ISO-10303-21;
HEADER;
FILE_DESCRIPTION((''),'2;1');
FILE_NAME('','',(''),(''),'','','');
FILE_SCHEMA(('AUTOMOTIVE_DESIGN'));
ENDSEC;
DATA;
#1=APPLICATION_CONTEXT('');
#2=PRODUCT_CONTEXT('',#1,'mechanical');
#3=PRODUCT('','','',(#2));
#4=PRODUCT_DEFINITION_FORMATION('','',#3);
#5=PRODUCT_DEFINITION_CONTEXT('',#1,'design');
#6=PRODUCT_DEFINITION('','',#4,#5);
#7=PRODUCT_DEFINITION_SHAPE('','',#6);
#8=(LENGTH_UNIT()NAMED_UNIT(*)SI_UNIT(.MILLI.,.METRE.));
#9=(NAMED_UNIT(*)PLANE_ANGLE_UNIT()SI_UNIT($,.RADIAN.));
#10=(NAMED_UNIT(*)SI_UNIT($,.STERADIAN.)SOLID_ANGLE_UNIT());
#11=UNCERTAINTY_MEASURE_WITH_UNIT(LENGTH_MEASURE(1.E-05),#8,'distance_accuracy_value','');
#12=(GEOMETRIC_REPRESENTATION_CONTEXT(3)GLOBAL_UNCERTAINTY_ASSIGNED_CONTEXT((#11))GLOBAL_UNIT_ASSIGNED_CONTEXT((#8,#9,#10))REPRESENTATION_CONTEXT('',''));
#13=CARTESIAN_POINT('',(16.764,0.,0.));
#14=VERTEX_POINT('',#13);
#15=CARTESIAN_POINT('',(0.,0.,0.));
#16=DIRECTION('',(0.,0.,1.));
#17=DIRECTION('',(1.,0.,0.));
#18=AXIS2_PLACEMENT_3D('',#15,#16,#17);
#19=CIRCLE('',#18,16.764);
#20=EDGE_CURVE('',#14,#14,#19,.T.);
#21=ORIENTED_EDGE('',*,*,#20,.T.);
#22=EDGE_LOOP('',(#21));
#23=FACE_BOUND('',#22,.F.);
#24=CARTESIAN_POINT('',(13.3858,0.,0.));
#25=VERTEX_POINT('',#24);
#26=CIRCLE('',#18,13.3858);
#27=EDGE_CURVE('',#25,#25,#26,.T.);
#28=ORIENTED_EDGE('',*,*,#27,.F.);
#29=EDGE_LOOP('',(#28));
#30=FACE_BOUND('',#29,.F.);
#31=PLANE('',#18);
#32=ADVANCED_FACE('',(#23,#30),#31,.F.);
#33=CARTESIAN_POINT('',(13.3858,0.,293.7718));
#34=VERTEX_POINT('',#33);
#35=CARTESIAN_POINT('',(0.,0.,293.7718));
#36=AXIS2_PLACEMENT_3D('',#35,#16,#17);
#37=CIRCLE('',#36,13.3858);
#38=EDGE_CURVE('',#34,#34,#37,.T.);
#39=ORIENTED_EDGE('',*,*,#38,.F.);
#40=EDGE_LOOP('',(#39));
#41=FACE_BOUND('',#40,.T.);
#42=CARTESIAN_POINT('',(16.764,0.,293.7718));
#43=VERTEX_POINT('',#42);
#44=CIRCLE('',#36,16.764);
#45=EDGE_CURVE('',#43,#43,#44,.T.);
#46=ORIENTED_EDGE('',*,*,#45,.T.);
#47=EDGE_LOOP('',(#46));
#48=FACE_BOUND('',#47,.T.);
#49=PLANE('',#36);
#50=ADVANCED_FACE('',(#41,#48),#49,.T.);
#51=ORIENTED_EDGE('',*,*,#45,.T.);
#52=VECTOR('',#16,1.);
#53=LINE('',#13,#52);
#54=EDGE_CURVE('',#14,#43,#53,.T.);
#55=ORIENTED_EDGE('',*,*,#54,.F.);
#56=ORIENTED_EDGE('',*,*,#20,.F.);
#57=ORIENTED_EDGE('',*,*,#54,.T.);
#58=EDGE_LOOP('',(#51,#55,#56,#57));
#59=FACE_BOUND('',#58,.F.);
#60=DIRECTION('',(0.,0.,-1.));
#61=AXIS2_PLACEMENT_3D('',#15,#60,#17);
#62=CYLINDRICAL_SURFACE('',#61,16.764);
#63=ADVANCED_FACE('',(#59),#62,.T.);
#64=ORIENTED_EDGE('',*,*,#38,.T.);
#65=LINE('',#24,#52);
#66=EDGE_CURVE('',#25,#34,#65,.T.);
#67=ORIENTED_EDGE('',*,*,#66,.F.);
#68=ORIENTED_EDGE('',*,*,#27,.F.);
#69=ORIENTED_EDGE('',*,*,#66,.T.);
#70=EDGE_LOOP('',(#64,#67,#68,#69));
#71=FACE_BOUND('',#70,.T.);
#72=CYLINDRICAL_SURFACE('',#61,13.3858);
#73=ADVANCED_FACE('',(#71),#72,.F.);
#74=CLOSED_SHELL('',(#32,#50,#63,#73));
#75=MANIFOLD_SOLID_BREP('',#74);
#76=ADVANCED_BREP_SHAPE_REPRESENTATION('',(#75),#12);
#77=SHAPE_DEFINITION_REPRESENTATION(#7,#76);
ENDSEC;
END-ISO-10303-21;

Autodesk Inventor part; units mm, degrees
ref_plane "YZ Plane" through (0, 0, 0) normal (1, 0, 0) x (0, 1, 0)
ref_plane "Start plane" through (0, 0, 0) normal (0, 0, 1) x (1, 0, 0)
ref_plane "End plane" through (0, 0, 293.7718) normal (0, 0, 1) x (1, 0, 0)
sketch "Sketch" plane through (0, 0, 0) normal (0, 0, 1) x (1, 0, 0)
  circle A0 centre (0, 0) radius 13.3858
  circle A1 centre (0, 0) radius 16.764
  dimension "d0" = 33.528
  dimension "d1" = 3.3782
extrude "Body" add sketch "Sketch" along normal up to surface (293.7718 mm away) from surface at 0
sketch "Sketch3" plane through (0, 0, 0) normal (0, 0, 1) x (1, 0, 0)
  line L0 (0, 0) -> (10, 0)
ref_plane "Work Plane3" through (0, 0, 0) normal (0, -1, 0) x (1, 0, 0)
sketch "Sketch4" plane through (0, 0, 0) normal (0, -1, 0) x (1, 0, 0)
  line L0 (-2, 0) -> (12, 0)
  line L1 (-2, 293.7718) -> (12, 293.7718)
  dimension "d7" = 293.7718
equation "\"d0\" = G_H"
equation "\"d1\" = G_T"
equation "\"d2\" = G_L"
equation "\"G_H\" = 33.528"
equation "\"G_T\" = 3.3782"
equation "\"G_L\" = d7"
equation "\"G_OFFSET_START\" = 0"
equation "\"G_OFFSET_END\" = 0"
equation "\"d5\" = G_OFFSET_END + B_L"
equation "\"B_L\" = 293.77184"
properties part number "ANSI - 1 x 0.133 - 11,566" material "Steel, Mild, Welded"
